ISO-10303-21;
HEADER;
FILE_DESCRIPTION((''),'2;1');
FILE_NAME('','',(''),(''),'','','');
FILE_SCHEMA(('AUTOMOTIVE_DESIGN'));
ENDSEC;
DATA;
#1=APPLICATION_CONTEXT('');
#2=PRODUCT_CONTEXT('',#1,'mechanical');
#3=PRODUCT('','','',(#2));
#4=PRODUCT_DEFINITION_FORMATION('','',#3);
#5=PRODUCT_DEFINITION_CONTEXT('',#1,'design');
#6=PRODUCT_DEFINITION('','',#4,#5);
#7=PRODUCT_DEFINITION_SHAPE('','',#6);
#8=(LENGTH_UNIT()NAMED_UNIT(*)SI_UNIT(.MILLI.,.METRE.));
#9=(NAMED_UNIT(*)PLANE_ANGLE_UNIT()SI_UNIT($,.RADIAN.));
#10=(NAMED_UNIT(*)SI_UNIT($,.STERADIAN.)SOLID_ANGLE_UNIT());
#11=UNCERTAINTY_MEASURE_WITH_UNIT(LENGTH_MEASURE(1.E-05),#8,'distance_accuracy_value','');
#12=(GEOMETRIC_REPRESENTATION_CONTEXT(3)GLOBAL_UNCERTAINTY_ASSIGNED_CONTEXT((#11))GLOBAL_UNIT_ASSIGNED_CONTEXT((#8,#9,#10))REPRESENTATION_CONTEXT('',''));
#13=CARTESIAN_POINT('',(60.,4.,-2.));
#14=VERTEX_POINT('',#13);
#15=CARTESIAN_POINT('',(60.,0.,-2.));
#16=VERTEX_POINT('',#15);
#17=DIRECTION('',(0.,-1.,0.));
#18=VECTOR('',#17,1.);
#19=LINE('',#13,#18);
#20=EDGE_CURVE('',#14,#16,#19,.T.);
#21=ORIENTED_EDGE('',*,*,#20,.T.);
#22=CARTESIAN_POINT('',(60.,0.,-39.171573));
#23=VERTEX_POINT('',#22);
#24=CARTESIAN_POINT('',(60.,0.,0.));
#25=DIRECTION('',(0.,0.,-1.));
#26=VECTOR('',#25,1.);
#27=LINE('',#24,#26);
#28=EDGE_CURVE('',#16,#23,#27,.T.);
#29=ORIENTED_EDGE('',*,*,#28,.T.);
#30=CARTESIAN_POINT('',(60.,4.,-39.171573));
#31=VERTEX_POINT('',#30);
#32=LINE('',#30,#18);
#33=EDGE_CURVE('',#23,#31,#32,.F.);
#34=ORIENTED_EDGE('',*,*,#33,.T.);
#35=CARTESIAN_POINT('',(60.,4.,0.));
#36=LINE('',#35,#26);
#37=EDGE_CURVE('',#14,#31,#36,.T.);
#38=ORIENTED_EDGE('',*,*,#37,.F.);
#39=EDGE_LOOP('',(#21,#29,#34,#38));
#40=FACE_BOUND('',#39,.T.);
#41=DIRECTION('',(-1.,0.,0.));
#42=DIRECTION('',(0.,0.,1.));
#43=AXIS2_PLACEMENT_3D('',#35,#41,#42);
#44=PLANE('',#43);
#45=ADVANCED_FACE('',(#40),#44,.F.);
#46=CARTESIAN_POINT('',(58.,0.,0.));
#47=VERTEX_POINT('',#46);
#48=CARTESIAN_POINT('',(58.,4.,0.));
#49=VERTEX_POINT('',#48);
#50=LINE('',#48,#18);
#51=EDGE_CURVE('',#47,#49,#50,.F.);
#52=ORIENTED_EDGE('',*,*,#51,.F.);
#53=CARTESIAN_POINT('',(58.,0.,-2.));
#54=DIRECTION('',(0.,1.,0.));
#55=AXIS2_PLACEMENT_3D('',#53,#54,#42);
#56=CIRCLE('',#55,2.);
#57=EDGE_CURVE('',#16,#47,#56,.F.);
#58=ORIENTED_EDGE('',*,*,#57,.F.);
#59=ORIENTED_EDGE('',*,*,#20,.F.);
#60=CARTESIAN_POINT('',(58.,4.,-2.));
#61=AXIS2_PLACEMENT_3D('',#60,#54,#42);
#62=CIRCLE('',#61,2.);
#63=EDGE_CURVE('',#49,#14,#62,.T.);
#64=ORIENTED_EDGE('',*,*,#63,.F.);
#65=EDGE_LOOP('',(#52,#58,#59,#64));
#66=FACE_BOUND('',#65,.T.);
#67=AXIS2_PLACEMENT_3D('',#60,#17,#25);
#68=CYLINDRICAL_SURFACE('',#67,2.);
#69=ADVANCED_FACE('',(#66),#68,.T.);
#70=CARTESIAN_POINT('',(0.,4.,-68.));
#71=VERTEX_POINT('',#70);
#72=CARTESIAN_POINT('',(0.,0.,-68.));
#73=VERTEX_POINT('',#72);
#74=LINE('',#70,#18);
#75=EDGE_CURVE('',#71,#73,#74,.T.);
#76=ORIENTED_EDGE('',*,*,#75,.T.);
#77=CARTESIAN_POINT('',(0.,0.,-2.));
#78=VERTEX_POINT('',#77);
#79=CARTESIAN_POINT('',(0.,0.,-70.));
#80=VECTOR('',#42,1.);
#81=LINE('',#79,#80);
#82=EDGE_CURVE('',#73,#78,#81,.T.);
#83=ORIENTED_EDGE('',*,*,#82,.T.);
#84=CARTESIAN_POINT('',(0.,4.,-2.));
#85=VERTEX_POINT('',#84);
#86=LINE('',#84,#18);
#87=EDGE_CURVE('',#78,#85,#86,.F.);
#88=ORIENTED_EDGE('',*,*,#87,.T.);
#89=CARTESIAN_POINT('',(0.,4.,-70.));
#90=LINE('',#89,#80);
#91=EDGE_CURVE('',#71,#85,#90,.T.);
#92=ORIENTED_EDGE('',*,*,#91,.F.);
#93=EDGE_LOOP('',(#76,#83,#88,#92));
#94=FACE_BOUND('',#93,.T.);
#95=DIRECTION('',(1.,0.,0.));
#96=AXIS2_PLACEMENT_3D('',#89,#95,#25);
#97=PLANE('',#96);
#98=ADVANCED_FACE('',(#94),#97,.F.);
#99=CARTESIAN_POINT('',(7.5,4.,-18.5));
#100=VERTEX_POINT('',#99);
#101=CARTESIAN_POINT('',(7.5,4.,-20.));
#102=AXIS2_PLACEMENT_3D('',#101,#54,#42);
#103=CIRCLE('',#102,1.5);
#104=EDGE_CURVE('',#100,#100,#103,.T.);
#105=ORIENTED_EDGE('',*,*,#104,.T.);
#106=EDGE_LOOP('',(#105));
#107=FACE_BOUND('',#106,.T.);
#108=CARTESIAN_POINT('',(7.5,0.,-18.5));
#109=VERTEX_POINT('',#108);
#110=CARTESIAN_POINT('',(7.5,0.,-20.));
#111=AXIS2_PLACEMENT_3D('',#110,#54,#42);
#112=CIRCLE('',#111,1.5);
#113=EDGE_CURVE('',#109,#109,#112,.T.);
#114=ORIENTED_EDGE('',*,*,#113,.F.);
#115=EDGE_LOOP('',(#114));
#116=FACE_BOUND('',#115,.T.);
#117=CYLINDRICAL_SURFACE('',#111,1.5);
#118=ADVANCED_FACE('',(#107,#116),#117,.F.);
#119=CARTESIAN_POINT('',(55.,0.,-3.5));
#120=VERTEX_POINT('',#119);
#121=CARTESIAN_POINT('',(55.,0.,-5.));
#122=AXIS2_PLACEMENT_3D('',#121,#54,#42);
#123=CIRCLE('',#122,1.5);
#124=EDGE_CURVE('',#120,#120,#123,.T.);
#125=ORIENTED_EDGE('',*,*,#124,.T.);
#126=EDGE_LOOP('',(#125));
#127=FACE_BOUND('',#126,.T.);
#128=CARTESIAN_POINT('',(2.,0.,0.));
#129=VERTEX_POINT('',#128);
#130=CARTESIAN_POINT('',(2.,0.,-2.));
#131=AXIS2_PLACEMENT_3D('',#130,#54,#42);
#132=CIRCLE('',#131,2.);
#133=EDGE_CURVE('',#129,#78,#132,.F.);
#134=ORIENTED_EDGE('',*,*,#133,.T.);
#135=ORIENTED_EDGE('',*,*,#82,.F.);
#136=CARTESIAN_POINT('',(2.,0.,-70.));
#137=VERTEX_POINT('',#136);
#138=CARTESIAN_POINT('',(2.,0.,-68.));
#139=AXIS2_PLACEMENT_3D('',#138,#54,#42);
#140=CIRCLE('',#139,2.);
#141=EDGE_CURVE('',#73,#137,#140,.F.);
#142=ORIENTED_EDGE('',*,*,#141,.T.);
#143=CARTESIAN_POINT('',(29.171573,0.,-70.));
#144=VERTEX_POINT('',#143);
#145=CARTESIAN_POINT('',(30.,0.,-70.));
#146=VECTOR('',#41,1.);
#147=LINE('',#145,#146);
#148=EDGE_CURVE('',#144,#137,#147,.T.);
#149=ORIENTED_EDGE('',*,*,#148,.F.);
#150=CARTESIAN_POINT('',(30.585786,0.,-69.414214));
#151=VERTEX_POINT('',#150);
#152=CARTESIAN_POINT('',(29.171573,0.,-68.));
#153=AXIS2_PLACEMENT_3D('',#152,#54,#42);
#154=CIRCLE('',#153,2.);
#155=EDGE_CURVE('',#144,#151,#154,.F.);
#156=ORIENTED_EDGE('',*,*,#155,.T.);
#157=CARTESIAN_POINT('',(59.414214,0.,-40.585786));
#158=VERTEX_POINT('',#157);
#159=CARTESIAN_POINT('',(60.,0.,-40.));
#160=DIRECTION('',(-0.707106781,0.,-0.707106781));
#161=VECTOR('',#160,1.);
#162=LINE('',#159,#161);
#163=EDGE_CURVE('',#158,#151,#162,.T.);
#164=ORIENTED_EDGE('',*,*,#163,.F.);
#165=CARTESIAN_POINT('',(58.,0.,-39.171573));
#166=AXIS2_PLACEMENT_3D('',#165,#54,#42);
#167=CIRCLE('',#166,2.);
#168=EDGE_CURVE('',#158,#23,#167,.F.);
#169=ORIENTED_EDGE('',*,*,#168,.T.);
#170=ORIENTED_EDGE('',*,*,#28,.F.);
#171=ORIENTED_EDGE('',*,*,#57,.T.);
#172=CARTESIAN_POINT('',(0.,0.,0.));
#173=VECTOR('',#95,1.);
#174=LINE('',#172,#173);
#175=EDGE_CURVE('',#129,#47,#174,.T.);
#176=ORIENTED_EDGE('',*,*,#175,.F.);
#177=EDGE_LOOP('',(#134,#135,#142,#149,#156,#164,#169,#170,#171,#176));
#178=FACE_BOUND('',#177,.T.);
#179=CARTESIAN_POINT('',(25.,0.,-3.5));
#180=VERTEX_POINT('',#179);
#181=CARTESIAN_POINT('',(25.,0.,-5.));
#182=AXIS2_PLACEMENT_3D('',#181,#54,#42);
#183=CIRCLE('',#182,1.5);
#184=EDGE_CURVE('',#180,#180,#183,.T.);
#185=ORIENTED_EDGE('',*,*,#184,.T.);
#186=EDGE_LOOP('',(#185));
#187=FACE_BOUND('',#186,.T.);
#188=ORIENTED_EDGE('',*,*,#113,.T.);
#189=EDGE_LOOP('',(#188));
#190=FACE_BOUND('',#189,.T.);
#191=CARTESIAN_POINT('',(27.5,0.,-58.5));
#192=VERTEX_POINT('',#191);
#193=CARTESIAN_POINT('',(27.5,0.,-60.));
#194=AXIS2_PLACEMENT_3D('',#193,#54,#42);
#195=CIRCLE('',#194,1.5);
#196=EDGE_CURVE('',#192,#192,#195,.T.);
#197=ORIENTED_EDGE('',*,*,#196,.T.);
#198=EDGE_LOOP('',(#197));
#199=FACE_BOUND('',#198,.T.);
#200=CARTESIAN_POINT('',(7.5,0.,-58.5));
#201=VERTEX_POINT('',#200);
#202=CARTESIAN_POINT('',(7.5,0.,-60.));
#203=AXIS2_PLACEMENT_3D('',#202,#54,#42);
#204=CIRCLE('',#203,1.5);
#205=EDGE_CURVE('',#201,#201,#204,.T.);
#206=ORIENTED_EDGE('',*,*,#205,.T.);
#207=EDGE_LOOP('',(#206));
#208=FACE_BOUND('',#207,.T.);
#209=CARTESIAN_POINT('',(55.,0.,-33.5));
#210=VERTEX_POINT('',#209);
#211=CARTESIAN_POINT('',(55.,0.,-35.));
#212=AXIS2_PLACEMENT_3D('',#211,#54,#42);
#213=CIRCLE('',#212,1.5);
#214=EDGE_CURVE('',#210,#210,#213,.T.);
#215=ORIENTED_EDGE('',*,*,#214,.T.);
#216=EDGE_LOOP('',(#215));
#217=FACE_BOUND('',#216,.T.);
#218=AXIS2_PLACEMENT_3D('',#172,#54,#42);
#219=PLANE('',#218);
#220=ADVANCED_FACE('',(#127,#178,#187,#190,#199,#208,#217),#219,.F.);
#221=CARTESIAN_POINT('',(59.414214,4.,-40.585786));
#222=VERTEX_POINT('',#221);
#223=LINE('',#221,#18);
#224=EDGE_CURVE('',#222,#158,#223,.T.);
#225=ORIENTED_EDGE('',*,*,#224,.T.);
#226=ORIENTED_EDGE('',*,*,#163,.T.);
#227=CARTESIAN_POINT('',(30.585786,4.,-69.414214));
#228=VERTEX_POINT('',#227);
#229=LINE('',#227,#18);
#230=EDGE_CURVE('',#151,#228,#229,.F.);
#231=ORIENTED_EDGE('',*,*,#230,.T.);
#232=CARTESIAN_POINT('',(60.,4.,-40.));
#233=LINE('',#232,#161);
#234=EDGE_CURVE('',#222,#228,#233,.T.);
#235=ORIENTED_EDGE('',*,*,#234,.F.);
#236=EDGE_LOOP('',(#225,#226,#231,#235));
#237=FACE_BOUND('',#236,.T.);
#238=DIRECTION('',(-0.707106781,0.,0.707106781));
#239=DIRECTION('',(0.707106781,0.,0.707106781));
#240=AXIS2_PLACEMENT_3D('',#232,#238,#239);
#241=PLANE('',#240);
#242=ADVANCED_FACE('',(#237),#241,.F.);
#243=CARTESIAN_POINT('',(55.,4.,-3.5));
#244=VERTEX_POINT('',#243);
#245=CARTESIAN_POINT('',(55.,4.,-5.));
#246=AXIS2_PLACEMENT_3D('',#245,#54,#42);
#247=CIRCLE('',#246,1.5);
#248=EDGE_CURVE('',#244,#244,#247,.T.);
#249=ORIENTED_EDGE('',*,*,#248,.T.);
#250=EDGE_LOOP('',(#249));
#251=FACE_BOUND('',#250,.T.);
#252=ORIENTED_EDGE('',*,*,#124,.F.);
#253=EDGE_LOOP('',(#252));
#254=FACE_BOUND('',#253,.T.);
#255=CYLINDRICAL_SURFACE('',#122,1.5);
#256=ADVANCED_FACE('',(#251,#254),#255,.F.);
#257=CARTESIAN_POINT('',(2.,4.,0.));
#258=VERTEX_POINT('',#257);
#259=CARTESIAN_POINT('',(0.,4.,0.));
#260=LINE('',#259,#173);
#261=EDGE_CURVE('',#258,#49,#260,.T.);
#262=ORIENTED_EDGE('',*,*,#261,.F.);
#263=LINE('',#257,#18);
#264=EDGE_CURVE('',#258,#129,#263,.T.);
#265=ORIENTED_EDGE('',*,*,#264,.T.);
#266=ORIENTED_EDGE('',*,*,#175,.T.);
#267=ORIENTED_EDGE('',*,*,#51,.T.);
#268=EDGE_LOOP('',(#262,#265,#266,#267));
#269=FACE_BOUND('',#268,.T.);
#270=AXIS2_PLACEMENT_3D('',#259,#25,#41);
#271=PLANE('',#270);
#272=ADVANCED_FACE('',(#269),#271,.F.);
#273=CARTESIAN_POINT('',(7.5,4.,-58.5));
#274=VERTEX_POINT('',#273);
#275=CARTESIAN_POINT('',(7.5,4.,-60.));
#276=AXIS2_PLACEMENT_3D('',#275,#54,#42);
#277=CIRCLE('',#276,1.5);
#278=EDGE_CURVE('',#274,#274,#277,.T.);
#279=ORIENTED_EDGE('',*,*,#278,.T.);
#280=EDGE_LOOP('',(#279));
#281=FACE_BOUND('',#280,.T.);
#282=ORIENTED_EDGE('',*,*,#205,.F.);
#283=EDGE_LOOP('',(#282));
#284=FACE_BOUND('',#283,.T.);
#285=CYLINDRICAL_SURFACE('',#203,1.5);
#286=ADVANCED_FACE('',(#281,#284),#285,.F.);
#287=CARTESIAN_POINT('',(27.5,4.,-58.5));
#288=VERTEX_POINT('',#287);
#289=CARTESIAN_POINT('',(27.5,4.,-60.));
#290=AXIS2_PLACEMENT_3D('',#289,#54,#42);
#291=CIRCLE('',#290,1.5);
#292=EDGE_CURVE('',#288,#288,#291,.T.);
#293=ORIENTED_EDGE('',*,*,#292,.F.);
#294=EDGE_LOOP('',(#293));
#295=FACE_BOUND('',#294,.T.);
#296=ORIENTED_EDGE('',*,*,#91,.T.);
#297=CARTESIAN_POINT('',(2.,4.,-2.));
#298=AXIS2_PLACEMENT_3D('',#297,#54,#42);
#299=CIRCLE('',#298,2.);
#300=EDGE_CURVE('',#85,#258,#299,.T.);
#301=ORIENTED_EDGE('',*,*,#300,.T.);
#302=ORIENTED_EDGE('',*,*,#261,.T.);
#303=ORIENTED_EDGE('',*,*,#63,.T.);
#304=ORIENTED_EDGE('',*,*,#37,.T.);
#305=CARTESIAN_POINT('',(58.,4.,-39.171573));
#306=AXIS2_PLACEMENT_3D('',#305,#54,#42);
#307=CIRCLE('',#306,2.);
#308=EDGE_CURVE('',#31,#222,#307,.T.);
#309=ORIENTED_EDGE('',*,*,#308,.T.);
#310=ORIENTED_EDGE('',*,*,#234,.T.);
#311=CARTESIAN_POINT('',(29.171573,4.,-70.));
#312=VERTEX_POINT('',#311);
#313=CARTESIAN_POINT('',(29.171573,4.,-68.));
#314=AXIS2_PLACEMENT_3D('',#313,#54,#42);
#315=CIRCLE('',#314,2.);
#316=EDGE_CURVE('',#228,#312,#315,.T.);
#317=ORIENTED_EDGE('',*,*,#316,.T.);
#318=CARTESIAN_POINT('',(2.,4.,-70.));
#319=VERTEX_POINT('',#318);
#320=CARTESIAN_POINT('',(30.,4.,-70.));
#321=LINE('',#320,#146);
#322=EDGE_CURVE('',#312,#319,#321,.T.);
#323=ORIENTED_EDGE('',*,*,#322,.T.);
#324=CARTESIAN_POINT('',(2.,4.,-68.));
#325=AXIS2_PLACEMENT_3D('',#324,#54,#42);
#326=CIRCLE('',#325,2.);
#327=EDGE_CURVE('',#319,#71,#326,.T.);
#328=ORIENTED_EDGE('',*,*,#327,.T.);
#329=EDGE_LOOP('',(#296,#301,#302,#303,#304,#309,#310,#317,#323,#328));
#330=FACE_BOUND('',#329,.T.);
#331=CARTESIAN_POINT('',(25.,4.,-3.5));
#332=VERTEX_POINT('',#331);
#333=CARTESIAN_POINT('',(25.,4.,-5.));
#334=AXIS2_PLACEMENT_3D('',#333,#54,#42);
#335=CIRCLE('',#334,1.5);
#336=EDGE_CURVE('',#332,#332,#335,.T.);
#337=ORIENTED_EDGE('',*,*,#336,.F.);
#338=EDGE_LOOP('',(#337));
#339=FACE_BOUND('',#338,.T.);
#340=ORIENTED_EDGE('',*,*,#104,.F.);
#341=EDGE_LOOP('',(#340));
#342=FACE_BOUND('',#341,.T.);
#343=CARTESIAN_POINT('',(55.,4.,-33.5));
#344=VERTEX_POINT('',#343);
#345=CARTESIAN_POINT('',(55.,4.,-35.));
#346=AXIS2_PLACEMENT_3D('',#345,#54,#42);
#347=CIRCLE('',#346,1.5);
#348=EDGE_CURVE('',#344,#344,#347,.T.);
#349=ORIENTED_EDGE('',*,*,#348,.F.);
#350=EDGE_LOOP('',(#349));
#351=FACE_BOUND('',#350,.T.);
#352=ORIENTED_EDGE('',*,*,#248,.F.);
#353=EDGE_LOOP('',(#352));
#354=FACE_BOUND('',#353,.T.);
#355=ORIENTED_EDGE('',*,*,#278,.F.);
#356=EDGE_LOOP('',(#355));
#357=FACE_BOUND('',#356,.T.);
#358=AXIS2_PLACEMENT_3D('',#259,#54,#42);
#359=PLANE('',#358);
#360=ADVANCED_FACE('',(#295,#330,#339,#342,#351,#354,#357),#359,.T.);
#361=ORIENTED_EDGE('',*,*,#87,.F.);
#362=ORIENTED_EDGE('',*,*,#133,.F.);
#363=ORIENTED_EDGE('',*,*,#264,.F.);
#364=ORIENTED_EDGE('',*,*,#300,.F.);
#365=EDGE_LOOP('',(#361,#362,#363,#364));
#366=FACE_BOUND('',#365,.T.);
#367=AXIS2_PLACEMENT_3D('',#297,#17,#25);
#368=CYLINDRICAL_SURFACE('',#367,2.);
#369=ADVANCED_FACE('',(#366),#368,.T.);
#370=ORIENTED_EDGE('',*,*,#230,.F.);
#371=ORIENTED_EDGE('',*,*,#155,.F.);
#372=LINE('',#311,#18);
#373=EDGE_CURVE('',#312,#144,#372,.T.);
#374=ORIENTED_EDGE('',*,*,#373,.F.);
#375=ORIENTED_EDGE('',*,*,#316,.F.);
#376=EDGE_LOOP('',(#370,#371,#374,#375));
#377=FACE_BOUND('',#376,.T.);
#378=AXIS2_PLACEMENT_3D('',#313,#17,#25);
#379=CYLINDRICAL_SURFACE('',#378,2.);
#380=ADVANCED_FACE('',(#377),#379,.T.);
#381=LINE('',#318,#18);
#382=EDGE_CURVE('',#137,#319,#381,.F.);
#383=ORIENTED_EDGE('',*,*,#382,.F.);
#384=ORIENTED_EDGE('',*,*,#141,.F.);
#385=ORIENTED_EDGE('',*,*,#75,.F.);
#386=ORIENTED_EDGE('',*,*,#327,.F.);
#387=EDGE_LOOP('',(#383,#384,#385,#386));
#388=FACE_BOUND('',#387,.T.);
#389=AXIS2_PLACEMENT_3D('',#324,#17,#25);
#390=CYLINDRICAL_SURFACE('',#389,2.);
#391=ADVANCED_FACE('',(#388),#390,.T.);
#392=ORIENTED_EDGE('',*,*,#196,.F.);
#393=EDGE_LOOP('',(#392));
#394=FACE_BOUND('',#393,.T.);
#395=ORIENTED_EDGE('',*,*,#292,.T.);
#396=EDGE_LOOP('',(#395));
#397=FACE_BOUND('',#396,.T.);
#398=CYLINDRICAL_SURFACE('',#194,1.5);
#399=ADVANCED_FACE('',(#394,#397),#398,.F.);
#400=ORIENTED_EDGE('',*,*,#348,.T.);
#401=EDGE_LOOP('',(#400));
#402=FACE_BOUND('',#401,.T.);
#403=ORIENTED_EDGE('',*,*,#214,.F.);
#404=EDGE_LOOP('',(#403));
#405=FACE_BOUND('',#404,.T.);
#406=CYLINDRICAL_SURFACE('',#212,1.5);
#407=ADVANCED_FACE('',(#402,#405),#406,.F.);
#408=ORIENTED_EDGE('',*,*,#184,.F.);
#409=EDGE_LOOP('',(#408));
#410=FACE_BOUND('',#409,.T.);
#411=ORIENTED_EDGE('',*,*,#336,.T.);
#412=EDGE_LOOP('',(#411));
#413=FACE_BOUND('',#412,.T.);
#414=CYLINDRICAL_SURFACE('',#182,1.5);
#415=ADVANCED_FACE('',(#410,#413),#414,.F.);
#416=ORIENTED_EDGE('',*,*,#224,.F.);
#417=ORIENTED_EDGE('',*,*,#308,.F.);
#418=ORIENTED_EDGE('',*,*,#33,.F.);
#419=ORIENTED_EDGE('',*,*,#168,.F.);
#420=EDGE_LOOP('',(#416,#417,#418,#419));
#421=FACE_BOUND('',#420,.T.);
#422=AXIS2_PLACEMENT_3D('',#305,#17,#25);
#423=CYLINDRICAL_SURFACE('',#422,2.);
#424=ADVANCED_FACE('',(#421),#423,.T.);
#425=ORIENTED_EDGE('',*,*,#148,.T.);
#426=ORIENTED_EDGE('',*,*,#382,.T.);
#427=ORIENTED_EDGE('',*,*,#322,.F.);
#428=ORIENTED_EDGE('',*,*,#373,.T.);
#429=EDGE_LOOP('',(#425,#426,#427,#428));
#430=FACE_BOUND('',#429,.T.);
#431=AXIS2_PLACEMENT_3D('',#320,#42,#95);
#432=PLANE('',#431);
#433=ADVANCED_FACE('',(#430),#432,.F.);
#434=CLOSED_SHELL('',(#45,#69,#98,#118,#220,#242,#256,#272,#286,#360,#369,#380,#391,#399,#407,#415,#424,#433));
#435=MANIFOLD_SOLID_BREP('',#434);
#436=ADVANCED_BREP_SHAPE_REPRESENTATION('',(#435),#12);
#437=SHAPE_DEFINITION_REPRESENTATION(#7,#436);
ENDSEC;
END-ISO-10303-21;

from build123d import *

# Parameters (mm, degrees)
EXTRUDE_1_DEPTH     = 4
SKETCH_2_R          = 1.5
CUT_EXTRUDE_1_DEPTH = 4
FILLET_1_R          = 2
SKETCH_3_R          = 1.5
CUT_EXTRUDE_2_DEPTH = 4
SKETCH_4_R          = 1.5
CUT_EXTRUDE_3_DEPTH = 4
SKETCH_5_R          = 1.5
CUT_EXTRUDE_4_DEPTH = 4
SKETCH_6_R          = 1.5
CUT_EXTRUDE_5_DEPTH = 4


with BuildPart() as part:
    # 草图1 → 凸台-拉伸1 (new body)
    with BuildSketch(Plane(origin=(0, 0, 0), x_dir=(1, 0, 0), z_dir=(0, 1, 0))):
        Polygon((0, 0), (60, 0), (60, 40), (30, 70), (0, 70), align=None)
    extrude(amount=EXTRUDE_1_DEPTH)

    # 草图2 → 切除-拉伸1 (cut)
    with BuildSketch(Plane(origin=(0, 4, 0), x_dir=(1, 0, 0), z_dir=(0, 1, 0))):
        with Locations(Location((7.5, 20, 0), (0, 0, 270))):
            Circle(SKETCH_2_R)
        with Locations(Location((7.5, 60, 0), (0, 0, 270))):
            Circle(SKETCH_2_R)
    extrude(amount=-CUT_EXTRUDE_1_DEPTH, mode=Mode.SUBTRACT)

    # 圆角1
    fillet_1_edges = [part.edges().sort_by_distance(p)[0] for p in [
        (0, 2, -70),
        (30, 2, -70),
        (60, 2, -40),
        (60, 2, 0),
        (0, 2, 0),
    ]]
    fillet(fillet_1_edges, radius=FILLET_1_R)

    # 草图3 → 切除-拉伸2 (cut)
    with BuildSketch(Plane(origin=(0, 4, 0), x_dir=(1, 0, 0), z_dir=(0, 1, 0))):
        with Locations(Location((55, 5, 0), (0, 0, 270))):
            Circle(SKETCH_3_R)
    extrude(amount=-CUT_EXTRUDE_2_DEPTH, mode=Mode.SUBTRACT)

    # 草图4 → 切除-拉伸3 (cut)
    with BuildSketch(Plane(origin=(0, 4, 0), x_dir=(1, 0, 0), z_dir=(0, 1, 0))):
        with Locations(Location((27.5, 60, 0), (0, 0, 270))):
            Circle(SKETCH_4_R)
    extrude(amount=-CUT_EXTRUDE_3_DEPTH, mode=Mode.SUBTRACT)

    # 草图5 → 切除-拉伸4 (cut)
    with BuildSketch(Plane(origin=(0, 4, 0), x_dir=(1, 0, 0), z_dir=(0, 1, 0))):
        with Locations(Location((25, 5, 0), (0, 0, 270))):
            Circle(SKETCH_5_R)
    extrude(amount=-CUT_EXTRUDE_4_DEPTH, mode=Mode.SUBTRACT)

    # 草图6 → 切除-拉伸5 (cut)
    with BuildSketch(Plane(origin=(0, 4, 0), x_dir=(1, 0, 0), z_dir=(0, 1, 0))):
        with Locations(Location((55, 35, 0), (0, 0, 270))):
            Circle(SKETCH_6_R)
    extrude(amount=-CUT_EXTRUDE_5_DEPTH, mode=Mode.SUBTRACT)


solid = part.part
